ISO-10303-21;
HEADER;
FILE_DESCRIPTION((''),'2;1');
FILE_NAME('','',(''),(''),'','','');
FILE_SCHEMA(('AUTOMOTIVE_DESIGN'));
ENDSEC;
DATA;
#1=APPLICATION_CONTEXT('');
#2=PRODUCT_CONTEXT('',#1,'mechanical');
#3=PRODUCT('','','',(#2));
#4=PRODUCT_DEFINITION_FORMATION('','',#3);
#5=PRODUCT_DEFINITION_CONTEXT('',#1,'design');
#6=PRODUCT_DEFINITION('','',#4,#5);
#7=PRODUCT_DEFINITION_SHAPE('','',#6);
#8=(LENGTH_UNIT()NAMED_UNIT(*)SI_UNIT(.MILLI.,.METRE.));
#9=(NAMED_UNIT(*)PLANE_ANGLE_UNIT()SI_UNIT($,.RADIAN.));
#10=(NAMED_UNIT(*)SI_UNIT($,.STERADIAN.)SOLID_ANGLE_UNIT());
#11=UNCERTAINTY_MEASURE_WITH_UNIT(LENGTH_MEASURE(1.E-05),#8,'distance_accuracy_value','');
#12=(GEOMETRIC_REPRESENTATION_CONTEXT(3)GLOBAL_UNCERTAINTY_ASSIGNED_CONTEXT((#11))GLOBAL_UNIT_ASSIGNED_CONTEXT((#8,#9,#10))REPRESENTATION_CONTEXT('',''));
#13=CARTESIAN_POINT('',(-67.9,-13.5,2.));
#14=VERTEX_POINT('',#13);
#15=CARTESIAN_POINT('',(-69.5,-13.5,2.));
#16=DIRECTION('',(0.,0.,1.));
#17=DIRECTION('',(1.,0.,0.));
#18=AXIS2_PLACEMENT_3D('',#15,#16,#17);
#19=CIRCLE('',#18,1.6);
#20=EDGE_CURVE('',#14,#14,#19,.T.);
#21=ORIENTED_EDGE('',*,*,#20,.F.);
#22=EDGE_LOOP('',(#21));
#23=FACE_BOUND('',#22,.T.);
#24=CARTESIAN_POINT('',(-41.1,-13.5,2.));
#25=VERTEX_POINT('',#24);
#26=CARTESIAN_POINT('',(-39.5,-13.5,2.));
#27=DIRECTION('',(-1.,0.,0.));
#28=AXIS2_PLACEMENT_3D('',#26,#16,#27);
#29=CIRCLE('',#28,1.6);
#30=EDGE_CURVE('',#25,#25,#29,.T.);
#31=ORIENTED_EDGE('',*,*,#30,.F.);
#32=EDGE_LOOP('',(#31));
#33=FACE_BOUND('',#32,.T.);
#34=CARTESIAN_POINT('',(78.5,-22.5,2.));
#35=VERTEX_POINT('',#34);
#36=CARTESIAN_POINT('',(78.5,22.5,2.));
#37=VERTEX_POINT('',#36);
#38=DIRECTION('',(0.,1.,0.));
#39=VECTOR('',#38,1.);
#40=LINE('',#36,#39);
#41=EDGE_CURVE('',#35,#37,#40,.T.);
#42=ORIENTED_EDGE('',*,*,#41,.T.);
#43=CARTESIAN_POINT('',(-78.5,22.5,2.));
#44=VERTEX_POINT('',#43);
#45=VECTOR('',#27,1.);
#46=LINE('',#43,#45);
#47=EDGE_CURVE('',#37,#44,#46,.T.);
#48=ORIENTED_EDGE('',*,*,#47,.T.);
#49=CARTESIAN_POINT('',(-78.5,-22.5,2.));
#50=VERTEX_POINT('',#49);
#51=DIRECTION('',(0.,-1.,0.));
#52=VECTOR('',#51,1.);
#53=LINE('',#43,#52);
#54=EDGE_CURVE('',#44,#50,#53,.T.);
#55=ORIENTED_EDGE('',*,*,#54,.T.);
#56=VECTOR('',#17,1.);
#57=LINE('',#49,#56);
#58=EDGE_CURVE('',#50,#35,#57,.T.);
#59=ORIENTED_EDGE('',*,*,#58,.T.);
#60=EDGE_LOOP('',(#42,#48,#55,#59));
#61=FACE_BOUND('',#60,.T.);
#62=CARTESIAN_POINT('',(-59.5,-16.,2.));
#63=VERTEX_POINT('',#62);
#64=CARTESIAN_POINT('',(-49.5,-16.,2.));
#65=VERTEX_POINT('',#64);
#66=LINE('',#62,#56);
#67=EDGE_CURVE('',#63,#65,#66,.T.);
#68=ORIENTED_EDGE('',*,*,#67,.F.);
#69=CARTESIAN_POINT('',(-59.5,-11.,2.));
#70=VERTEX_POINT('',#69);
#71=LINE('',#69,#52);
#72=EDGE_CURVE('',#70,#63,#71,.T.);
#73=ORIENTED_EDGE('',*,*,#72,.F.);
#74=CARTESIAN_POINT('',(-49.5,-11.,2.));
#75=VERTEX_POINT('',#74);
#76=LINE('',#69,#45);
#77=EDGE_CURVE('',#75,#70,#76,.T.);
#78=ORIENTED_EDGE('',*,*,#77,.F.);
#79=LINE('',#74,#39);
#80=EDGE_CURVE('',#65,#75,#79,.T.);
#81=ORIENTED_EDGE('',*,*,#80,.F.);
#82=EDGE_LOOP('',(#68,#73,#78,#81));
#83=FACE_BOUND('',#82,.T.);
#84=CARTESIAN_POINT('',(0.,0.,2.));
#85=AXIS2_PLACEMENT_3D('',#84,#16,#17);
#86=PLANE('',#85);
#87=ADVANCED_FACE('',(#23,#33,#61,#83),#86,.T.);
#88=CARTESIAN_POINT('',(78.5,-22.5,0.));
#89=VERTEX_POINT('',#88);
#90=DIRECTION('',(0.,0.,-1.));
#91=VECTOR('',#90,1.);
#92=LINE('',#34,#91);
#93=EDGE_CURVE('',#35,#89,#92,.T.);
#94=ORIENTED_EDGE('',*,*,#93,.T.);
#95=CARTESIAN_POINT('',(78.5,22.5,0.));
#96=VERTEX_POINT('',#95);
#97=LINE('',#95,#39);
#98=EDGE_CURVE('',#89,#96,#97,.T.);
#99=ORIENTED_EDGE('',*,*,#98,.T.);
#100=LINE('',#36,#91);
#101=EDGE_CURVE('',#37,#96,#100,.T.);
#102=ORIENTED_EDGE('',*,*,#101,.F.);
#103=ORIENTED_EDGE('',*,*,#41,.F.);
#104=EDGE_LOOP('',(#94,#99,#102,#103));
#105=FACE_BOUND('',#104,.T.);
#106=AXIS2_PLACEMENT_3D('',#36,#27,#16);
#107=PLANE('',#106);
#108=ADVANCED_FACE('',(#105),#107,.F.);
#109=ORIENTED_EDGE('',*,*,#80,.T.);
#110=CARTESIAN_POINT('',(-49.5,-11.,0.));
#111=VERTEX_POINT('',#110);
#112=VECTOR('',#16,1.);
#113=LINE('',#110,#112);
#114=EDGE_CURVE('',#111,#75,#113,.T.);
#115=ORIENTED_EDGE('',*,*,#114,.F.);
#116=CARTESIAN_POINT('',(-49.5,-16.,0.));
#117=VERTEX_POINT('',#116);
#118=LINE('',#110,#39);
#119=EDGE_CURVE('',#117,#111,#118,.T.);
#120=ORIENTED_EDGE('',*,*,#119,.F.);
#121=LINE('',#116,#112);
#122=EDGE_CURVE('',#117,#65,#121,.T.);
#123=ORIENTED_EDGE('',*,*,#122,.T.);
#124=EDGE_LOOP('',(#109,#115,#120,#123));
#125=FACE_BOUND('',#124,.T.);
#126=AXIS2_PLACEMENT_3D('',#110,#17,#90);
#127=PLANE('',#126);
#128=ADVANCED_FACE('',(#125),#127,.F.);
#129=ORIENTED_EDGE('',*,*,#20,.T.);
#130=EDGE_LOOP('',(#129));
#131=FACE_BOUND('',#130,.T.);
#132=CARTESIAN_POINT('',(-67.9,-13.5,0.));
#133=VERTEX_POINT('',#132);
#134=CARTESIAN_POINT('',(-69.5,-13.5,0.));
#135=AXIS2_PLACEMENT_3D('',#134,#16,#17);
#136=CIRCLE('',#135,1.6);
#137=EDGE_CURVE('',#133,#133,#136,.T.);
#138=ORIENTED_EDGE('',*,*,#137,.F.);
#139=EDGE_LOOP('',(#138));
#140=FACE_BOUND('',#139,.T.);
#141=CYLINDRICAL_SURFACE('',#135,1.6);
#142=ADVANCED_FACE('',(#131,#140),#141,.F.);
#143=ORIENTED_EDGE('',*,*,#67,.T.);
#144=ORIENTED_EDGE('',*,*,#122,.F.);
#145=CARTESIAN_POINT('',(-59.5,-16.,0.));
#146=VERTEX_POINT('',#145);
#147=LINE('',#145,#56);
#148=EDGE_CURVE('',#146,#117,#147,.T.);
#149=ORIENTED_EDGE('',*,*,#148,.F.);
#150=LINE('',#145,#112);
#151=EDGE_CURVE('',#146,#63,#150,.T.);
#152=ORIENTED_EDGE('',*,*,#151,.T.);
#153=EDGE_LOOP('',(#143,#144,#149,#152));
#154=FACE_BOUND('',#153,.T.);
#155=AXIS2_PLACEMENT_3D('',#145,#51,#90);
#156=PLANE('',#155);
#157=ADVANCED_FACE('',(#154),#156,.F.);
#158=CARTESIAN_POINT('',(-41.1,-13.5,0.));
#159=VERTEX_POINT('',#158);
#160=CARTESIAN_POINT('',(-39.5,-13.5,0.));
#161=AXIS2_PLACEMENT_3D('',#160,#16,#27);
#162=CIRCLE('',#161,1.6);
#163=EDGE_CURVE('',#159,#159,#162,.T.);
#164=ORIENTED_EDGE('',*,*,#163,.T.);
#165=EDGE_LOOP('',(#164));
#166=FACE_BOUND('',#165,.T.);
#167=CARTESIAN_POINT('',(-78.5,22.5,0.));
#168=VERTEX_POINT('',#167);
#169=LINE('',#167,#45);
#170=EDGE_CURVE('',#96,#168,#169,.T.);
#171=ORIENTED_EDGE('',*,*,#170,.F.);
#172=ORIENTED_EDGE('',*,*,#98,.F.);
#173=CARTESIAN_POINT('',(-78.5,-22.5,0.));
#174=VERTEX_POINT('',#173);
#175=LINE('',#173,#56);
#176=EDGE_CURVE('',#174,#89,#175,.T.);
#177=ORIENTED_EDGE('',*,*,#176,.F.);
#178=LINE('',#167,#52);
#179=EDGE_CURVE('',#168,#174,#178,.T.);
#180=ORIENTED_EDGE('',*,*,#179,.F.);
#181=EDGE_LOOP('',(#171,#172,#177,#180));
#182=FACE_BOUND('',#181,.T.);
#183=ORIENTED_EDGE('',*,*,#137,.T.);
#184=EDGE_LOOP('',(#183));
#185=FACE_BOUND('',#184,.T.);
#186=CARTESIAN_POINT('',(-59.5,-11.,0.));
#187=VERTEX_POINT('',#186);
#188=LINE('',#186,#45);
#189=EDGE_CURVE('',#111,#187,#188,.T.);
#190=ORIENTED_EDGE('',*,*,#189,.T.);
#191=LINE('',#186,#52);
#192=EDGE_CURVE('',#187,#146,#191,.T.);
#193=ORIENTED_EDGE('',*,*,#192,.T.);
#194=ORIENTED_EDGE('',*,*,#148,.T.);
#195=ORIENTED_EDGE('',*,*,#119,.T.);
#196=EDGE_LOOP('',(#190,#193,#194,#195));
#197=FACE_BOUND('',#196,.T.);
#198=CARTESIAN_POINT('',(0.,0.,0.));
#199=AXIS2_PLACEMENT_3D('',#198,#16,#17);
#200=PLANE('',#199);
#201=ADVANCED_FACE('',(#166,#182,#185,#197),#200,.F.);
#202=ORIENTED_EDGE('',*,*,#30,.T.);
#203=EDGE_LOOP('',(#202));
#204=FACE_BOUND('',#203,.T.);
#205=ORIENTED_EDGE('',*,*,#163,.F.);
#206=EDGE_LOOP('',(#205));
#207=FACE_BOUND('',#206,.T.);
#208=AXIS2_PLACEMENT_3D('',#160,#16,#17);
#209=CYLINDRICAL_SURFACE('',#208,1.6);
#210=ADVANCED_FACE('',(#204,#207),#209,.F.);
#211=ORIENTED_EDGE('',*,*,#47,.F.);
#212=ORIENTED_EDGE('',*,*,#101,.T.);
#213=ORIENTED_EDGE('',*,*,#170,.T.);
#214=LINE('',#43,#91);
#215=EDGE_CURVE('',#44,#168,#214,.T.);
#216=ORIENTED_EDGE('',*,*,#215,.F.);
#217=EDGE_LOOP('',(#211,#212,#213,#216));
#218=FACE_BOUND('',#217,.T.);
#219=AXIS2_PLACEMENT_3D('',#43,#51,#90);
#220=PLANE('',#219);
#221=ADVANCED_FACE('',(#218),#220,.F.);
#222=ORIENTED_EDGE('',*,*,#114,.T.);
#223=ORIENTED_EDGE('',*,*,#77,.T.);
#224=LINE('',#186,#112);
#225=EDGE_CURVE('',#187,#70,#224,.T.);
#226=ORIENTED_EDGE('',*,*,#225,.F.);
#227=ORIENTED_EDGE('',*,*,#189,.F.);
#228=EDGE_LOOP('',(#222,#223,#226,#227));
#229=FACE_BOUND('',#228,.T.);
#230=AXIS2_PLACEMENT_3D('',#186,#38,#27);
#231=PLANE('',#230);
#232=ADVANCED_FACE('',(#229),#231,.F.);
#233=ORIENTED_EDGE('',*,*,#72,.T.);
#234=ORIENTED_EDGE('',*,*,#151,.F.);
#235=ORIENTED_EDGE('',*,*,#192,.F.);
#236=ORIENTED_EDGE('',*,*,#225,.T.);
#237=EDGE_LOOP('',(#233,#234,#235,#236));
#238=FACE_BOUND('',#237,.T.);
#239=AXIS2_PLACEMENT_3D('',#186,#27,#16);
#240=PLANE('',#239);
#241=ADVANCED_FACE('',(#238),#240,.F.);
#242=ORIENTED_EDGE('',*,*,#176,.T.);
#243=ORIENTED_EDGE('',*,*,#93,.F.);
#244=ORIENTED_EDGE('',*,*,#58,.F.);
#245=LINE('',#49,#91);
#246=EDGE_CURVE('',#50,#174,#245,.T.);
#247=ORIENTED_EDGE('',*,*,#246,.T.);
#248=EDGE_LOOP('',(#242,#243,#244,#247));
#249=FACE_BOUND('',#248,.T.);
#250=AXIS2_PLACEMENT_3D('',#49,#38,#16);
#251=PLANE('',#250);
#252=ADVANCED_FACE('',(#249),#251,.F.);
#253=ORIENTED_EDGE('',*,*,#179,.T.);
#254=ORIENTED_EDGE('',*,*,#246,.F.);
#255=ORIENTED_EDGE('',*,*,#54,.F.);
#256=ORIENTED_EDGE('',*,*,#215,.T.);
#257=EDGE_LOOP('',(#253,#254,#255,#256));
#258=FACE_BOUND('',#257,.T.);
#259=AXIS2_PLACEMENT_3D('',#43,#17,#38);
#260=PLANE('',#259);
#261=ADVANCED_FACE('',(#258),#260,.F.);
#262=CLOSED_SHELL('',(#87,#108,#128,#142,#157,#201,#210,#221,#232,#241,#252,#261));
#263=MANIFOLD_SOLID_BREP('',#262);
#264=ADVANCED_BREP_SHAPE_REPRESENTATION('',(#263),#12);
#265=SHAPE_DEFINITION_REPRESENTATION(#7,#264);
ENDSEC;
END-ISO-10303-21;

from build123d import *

# Parameters (mm, degrees)
SKETCH1_W           = 157
SKETCH1_H           = 45
BOSS_EXTRUDE1_DEPTH = 2
SKETCH2_R           = 1.6
SKETCH2_W           = 10
SKETCH2_H           = 5
CUT_EXTRUDE1_DEPTH  = 82.685372007


with BuildPart() as part:
    # Sketch1 → Boss-Extrude1 (new body)
    with BuildSketch(Plane.XY):
        Rectangle(SKETCH1_W, SKETCH1_H)
    extrude(amount=BOSS_EXTRUDE1_DEPTH)

    # Sketch2 → Cut-Extrude1 (cut, through all)
    with BuildSketch(Plane.XY.offset(2)):
        with Locations((-69.5, -13.5)):
            Circle(SKETCH2_R)
        with Locations(Location((-39.5, -13.5, 0), (0, 0, 180))):
            Circle(SKETCH2_R)
        with Locations((-54.5, -13.5)):
            Rectangle(SKETCH2_W, SKETCH2_H)
    extrude(amount=-CUT_EXTRUDE1_DEPTH, mode=Mode.SUBTRACT)


solid = part.part
